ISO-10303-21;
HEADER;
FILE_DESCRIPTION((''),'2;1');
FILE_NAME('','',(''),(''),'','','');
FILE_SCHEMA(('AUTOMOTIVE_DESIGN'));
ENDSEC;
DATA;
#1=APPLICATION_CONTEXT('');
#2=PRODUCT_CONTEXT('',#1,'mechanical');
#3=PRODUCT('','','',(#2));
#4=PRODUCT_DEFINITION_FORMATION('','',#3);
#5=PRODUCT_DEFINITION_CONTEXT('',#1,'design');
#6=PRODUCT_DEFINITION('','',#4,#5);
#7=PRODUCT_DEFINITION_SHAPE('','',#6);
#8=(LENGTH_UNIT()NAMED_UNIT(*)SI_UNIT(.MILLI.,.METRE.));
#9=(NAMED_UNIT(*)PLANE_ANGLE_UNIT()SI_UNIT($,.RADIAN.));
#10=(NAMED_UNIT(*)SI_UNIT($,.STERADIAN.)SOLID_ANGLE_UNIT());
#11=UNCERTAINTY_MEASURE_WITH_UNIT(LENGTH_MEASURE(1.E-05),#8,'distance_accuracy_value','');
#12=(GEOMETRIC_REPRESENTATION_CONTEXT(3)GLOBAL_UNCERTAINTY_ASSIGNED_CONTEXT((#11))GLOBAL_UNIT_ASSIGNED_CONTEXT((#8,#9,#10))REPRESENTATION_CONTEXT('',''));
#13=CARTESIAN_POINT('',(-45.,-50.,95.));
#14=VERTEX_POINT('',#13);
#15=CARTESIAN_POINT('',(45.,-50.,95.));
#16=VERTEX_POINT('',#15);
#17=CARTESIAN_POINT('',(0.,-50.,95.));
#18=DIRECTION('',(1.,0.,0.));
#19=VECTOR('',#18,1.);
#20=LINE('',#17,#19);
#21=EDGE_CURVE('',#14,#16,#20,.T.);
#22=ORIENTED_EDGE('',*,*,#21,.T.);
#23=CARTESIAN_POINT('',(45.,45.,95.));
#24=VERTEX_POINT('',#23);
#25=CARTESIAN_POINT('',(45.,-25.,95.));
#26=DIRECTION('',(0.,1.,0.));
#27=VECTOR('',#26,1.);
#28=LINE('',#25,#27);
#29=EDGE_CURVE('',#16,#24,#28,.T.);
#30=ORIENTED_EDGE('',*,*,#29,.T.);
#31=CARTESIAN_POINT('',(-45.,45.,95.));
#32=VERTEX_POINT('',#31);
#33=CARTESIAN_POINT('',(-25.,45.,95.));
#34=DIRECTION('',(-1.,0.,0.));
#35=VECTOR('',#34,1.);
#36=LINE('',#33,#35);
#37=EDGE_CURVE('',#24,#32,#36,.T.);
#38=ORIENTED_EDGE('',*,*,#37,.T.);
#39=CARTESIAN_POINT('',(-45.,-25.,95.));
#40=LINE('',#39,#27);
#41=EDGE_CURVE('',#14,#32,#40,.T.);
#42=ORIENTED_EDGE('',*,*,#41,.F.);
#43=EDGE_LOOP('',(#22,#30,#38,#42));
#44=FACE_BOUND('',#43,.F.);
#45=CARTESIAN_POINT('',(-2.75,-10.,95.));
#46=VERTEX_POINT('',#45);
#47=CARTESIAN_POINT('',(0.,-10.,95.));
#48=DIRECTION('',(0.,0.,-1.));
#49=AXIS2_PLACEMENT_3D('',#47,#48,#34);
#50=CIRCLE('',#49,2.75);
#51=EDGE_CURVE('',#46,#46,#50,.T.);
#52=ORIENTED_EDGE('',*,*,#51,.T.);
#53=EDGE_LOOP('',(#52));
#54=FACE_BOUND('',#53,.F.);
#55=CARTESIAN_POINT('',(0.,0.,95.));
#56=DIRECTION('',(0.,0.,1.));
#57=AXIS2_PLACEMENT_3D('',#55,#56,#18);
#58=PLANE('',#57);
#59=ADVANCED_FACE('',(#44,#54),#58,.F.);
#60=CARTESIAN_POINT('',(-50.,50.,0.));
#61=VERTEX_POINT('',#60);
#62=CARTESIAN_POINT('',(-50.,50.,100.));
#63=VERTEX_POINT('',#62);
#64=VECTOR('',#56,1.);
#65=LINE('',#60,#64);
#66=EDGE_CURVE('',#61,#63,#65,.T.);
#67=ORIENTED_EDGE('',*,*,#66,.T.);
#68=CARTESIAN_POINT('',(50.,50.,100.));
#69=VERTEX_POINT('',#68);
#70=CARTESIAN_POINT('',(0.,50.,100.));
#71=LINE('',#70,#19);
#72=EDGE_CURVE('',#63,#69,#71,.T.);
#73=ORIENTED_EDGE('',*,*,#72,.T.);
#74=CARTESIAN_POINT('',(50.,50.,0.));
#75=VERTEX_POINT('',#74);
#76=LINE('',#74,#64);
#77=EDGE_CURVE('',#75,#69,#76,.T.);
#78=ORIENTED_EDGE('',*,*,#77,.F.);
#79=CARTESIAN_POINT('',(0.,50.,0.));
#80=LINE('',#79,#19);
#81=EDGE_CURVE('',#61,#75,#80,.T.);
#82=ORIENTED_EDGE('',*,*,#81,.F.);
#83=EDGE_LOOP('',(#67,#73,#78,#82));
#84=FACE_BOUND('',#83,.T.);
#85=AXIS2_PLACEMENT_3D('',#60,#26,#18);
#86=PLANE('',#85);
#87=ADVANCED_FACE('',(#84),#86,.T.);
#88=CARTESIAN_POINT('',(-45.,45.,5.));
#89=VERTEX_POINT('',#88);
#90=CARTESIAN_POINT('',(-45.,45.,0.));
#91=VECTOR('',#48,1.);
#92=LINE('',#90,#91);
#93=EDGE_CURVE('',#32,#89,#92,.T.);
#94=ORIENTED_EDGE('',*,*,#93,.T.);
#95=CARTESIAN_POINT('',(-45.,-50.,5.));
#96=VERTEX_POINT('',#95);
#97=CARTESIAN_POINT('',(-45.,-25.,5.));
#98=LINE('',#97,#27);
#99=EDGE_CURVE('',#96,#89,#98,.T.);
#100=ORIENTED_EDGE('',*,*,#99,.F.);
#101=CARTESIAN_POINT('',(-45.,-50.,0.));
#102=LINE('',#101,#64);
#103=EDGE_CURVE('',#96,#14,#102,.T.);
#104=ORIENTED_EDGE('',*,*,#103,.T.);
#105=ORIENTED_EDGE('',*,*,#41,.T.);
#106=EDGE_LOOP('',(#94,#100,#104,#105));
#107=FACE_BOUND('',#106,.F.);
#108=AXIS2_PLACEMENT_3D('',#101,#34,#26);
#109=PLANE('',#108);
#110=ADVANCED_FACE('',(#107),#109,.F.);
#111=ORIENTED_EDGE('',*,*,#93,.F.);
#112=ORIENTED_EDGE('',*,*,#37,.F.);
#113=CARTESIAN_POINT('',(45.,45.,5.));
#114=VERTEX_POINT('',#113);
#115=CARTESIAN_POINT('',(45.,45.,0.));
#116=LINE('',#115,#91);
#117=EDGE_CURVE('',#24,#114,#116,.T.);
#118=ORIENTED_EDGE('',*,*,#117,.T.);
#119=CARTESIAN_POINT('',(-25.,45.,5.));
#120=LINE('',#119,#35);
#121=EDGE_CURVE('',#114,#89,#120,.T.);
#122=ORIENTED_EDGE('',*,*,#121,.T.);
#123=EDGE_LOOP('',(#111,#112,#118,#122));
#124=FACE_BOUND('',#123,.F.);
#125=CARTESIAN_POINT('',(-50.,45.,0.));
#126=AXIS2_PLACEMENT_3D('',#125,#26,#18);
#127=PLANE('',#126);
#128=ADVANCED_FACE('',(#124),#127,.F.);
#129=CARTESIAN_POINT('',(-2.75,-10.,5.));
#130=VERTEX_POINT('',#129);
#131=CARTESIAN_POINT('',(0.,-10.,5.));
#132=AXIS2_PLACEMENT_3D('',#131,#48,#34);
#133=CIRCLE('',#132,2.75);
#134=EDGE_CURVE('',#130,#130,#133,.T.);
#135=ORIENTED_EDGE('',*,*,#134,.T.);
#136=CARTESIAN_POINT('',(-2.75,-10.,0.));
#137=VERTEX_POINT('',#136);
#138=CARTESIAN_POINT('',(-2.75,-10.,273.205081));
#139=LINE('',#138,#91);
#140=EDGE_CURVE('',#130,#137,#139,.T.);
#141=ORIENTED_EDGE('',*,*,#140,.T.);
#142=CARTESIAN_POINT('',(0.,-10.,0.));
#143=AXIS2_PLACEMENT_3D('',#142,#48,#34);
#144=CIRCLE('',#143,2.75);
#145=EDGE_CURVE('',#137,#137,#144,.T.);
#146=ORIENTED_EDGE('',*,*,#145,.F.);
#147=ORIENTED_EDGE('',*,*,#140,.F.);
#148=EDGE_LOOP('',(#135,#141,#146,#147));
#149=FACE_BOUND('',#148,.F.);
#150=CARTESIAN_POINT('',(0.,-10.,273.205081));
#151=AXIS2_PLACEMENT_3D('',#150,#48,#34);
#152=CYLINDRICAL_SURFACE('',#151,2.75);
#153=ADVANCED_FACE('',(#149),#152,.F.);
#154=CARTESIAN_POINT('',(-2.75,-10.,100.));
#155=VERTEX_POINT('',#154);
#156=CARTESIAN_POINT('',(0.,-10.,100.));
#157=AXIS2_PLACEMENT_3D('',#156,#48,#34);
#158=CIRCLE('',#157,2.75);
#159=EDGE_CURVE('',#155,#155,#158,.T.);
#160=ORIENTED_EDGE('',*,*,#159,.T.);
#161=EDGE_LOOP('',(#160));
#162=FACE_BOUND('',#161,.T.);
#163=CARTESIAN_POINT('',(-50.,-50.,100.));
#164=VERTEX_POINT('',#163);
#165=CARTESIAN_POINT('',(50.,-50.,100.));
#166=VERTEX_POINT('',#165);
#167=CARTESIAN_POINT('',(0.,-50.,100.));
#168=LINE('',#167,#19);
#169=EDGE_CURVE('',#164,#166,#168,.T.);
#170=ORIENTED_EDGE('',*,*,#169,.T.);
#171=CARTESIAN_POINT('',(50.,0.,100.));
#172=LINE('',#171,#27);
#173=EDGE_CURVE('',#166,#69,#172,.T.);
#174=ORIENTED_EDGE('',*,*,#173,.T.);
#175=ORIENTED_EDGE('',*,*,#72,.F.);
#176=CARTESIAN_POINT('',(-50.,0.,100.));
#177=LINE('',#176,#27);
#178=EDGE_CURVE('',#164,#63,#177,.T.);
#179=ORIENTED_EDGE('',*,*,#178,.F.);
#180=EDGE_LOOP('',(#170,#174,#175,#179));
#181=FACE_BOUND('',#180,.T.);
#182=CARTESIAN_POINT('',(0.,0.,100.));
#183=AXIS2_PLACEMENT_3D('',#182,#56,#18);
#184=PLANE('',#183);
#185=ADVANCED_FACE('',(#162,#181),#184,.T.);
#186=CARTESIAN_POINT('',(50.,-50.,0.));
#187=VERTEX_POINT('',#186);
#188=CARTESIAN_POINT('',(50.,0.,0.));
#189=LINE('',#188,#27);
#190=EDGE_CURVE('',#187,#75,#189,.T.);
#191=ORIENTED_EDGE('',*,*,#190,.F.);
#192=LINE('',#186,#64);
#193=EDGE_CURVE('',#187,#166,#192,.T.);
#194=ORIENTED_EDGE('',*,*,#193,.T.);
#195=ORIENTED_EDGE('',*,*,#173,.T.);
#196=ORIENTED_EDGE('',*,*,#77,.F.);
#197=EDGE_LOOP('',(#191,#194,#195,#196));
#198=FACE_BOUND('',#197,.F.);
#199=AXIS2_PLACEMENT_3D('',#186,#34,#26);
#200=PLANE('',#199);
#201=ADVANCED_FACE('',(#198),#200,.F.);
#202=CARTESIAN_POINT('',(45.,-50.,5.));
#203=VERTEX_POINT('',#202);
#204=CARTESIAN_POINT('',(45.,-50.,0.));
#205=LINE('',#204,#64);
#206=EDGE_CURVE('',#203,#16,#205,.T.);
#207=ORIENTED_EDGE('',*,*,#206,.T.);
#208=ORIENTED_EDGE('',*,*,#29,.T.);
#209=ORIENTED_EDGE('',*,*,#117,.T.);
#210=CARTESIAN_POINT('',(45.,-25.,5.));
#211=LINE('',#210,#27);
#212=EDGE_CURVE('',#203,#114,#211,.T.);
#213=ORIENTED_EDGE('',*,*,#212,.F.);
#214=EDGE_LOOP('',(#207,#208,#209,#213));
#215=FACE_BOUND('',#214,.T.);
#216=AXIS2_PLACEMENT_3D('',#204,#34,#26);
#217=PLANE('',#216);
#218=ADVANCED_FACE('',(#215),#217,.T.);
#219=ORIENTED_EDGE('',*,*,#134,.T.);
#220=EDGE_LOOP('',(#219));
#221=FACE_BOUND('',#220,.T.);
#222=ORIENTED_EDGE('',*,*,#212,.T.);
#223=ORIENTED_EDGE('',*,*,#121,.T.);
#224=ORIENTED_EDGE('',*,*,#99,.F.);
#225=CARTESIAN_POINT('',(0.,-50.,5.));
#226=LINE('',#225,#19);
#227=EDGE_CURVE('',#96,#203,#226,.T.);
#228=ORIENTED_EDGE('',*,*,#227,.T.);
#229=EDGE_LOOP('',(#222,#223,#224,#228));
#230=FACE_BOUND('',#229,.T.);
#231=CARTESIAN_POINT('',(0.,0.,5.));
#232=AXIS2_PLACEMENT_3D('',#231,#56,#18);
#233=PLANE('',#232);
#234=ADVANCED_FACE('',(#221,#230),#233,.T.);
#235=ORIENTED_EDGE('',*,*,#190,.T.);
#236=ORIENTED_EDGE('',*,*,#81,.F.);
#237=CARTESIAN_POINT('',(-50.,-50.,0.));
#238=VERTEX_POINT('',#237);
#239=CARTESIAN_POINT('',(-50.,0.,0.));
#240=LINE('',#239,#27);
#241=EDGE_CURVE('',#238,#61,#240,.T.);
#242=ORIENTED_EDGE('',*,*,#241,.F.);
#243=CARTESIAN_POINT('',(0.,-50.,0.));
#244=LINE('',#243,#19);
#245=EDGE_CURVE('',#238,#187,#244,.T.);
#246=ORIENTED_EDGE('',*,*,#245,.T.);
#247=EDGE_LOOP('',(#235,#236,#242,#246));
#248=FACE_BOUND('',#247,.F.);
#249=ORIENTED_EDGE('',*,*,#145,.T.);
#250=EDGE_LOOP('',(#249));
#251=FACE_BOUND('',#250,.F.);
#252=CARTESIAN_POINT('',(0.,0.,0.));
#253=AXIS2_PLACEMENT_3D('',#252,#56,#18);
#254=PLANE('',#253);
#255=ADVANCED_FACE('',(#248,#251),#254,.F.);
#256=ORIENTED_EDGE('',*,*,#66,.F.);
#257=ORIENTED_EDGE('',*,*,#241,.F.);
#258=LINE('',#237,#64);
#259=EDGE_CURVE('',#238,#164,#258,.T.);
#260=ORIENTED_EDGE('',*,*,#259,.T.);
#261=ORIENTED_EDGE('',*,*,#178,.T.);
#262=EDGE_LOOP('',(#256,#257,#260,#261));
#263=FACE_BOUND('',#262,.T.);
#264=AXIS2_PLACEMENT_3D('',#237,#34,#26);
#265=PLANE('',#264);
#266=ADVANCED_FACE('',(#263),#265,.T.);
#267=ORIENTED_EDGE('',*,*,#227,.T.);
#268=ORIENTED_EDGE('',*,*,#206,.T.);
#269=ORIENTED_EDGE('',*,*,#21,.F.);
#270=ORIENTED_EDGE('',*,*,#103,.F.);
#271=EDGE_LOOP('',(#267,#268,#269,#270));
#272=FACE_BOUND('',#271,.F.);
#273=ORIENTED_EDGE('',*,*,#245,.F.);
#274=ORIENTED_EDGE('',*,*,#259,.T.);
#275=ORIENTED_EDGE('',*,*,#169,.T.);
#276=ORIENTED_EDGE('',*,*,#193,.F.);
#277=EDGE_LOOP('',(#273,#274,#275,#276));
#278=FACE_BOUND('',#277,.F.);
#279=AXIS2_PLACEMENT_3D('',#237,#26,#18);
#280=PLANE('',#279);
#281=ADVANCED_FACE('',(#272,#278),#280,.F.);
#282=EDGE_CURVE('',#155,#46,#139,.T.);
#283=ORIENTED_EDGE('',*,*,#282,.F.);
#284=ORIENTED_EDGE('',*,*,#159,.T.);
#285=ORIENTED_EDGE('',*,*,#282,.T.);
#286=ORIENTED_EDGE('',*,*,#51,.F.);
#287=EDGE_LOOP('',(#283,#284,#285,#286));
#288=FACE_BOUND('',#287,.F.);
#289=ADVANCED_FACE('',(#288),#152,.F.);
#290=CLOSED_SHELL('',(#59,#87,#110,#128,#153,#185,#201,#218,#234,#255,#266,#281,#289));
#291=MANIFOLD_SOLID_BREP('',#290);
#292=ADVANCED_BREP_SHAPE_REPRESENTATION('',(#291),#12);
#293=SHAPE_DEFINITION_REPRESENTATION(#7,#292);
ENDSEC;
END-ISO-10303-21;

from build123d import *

# Parameters (mm, degrees)
F0_W     = 100
F0_H     = 100
F1_DEPTH = 100
F2_T     = -5
F4_D     = 5.5


with BuildPart() as f1:
    # F0 (on Top) → F1 (new body)
    with BuildSketch(Plane.XY):
        Rectangle(F0_W, F0_H)
    extrude(amount=F1_DEPTH)

    # F2
    f2_openings = [f1.faces().sort_by_distance(p)[0] for p in [
        (0, -50, 50),
    ]]
    offset(amount=F2_T, openings=f2_openings)

    # F4 (through all)
    with Locations(Plane.XY.offset(100)):
        with Locations((0, -10)):
            Hole(F4_D / 2)


solid = f1.part
